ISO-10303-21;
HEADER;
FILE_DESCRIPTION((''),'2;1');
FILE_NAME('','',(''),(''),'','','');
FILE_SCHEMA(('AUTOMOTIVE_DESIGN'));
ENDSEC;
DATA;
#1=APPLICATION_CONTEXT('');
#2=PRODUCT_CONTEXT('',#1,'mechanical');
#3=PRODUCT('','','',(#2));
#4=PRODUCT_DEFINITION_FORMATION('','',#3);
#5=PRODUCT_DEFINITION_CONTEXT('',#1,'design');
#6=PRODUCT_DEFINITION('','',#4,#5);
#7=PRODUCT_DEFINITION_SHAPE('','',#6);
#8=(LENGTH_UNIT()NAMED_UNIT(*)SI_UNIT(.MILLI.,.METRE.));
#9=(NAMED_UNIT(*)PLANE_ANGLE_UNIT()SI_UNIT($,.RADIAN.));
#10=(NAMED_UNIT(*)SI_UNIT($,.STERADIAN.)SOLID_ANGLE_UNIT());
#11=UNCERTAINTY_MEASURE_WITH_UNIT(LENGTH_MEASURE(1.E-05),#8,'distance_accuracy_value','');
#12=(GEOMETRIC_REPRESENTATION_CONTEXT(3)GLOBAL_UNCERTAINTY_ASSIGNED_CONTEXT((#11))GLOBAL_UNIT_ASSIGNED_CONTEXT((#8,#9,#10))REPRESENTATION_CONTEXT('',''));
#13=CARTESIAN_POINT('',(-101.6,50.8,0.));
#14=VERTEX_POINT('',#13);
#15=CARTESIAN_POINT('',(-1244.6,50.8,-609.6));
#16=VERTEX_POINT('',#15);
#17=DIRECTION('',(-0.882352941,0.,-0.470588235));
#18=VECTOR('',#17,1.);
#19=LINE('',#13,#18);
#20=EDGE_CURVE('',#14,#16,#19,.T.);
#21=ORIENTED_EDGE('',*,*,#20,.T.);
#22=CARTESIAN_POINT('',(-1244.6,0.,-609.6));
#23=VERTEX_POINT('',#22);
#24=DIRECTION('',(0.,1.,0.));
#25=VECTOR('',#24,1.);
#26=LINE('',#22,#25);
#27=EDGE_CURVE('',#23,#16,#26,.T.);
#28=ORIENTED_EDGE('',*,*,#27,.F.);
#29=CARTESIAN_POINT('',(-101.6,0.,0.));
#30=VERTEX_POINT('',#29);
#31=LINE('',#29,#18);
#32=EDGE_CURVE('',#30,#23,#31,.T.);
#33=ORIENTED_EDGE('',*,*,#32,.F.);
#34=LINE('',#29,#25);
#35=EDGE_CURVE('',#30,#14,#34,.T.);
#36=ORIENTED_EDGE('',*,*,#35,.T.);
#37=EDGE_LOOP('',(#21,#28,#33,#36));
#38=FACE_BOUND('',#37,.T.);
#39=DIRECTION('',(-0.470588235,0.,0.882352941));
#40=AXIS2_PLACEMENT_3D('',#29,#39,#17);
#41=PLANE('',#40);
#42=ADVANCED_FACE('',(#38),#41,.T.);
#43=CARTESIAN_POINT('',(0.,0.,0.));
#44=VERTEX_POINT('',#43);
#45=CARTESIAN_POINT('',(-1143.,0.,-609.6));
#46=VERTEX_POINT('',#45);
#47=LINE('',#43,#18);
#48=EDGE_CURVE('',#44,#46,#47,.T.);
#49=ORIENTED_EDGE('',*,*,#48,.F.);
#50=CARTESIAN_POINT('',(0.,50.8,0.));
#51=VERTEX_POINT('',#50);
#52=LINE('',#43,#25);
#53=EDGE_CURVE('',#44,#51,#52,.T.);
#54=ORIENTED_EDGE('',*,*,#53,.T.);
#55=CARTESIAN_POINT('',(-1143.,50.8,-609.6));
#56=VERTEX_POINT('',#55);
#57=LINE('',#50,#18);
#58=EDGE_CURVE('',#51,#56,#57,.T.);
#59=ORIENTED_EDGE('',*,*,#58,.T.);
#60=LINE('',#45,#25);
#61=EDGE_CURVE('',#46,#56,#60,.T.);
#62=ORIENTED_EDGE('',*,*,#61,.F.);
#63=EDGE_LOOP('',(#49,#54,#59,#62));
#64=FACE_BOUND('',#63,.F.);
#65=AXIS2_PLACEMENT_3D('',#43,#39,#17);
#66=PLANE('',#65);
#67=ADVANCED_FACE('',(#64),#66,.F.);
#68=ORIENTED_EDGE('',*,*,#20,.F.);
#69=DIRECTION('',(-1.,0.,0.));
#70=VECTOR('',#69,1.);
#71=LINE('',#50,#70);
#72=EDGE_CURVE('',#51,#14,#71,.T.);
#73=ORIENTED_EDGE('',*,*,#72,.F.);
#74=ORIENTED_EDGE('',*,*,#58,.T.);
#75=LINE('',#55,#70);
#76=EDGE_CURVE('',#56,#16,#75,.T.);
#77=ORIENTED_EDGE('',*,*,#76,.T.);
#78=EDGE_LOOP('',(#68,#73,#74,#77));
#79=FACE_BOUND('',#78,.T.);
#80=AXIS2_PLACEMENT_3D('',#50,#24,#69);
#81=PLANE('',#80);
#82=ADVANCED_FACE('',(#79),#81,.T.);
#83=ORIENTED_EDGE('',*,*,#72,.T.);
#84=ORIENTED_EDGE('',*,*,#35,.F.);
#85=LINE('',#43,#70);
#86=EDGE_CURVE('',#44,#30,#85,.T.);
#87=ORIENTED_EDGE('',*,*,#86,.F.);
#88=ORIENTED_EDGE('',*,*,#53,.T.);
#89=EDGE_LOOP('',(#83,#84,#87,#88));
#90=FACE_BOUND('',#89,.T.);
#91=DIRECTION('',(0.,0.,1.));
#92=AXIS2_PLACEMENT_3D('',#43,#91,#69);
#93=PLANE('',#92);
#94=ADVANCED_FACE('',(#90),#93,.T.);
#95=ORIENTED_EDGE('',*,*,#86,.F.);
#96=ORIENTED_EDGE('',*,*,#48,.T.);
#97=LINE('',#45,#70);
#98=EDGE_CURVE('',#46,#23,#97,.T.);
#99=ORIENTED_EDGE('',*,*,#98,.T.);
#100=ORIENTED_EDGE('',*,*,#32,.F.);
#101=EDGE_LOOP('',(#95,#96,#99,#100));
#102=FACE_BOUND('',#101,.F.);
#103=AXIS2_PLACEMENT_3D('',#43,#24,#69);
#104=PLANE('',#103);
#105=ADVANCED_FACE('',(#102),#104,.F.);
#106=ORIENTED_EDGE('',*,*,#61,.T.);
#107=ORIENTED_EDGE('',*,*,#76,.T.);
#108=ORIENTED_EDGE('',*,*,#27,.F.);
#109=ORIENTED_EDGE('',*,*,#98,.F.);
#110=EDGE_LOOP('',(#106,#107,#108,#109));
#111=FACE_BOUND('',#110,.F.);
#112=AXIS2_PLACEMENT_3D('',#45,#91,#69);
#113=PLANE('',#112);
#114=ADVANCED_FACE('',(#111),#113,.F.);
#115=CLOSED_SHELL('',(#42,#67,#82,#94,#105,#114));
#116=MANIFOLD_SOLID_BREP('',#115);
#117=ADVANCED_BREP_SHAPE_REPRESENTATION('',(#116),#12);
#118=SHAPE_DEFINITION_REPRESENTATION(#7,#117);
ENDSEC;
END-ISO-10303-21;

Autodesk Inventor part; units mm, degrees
ref_plane "YZ Plane" through (0, 0, 0) normal (1, 0, 0) x (0, 1, 0)
ref_plane "XZ Plane" through (0, 0, 0) normal (0, 1, 0) x (-1, 0, 0)
ref_plane "XY Plane" through (0, 0, 0) normal (0, 0, 1) x (1, 0, 0)
sketch "Sketch1" plane through (0, 0, 0) normal (0, 1, 0) x (-1, 0, 0)
  line L0 (0, 0) -> (1143, -609.6)
  line L1 (0, 0) -> (101.6, 0)
  line L2 (1143, -609.6) -> (1244.6, -609.6)
  line L3 (101.6, 0) -> (1244.6, -609.6)
  point P0 (0, -609.6)
  point P1 (1144.8557, -556.403)
  point P2 (1122.9649, -4.3441)
  point P3 (1144.8557, -4.3441)
  dimension "d0" = 609.6
  dimension "d1" = 1143
  dimension "d2" = 101.6
  dimension "d3" = 101.6
  dimension "d6" = 609.6
  dimension "d7" = 552.4927
  dimension "d8" = 552.0589
extrude "Extrusion1" add sketch "Sketch1" along normal blind 50.8
properties part number "2x4x(24x45)"
